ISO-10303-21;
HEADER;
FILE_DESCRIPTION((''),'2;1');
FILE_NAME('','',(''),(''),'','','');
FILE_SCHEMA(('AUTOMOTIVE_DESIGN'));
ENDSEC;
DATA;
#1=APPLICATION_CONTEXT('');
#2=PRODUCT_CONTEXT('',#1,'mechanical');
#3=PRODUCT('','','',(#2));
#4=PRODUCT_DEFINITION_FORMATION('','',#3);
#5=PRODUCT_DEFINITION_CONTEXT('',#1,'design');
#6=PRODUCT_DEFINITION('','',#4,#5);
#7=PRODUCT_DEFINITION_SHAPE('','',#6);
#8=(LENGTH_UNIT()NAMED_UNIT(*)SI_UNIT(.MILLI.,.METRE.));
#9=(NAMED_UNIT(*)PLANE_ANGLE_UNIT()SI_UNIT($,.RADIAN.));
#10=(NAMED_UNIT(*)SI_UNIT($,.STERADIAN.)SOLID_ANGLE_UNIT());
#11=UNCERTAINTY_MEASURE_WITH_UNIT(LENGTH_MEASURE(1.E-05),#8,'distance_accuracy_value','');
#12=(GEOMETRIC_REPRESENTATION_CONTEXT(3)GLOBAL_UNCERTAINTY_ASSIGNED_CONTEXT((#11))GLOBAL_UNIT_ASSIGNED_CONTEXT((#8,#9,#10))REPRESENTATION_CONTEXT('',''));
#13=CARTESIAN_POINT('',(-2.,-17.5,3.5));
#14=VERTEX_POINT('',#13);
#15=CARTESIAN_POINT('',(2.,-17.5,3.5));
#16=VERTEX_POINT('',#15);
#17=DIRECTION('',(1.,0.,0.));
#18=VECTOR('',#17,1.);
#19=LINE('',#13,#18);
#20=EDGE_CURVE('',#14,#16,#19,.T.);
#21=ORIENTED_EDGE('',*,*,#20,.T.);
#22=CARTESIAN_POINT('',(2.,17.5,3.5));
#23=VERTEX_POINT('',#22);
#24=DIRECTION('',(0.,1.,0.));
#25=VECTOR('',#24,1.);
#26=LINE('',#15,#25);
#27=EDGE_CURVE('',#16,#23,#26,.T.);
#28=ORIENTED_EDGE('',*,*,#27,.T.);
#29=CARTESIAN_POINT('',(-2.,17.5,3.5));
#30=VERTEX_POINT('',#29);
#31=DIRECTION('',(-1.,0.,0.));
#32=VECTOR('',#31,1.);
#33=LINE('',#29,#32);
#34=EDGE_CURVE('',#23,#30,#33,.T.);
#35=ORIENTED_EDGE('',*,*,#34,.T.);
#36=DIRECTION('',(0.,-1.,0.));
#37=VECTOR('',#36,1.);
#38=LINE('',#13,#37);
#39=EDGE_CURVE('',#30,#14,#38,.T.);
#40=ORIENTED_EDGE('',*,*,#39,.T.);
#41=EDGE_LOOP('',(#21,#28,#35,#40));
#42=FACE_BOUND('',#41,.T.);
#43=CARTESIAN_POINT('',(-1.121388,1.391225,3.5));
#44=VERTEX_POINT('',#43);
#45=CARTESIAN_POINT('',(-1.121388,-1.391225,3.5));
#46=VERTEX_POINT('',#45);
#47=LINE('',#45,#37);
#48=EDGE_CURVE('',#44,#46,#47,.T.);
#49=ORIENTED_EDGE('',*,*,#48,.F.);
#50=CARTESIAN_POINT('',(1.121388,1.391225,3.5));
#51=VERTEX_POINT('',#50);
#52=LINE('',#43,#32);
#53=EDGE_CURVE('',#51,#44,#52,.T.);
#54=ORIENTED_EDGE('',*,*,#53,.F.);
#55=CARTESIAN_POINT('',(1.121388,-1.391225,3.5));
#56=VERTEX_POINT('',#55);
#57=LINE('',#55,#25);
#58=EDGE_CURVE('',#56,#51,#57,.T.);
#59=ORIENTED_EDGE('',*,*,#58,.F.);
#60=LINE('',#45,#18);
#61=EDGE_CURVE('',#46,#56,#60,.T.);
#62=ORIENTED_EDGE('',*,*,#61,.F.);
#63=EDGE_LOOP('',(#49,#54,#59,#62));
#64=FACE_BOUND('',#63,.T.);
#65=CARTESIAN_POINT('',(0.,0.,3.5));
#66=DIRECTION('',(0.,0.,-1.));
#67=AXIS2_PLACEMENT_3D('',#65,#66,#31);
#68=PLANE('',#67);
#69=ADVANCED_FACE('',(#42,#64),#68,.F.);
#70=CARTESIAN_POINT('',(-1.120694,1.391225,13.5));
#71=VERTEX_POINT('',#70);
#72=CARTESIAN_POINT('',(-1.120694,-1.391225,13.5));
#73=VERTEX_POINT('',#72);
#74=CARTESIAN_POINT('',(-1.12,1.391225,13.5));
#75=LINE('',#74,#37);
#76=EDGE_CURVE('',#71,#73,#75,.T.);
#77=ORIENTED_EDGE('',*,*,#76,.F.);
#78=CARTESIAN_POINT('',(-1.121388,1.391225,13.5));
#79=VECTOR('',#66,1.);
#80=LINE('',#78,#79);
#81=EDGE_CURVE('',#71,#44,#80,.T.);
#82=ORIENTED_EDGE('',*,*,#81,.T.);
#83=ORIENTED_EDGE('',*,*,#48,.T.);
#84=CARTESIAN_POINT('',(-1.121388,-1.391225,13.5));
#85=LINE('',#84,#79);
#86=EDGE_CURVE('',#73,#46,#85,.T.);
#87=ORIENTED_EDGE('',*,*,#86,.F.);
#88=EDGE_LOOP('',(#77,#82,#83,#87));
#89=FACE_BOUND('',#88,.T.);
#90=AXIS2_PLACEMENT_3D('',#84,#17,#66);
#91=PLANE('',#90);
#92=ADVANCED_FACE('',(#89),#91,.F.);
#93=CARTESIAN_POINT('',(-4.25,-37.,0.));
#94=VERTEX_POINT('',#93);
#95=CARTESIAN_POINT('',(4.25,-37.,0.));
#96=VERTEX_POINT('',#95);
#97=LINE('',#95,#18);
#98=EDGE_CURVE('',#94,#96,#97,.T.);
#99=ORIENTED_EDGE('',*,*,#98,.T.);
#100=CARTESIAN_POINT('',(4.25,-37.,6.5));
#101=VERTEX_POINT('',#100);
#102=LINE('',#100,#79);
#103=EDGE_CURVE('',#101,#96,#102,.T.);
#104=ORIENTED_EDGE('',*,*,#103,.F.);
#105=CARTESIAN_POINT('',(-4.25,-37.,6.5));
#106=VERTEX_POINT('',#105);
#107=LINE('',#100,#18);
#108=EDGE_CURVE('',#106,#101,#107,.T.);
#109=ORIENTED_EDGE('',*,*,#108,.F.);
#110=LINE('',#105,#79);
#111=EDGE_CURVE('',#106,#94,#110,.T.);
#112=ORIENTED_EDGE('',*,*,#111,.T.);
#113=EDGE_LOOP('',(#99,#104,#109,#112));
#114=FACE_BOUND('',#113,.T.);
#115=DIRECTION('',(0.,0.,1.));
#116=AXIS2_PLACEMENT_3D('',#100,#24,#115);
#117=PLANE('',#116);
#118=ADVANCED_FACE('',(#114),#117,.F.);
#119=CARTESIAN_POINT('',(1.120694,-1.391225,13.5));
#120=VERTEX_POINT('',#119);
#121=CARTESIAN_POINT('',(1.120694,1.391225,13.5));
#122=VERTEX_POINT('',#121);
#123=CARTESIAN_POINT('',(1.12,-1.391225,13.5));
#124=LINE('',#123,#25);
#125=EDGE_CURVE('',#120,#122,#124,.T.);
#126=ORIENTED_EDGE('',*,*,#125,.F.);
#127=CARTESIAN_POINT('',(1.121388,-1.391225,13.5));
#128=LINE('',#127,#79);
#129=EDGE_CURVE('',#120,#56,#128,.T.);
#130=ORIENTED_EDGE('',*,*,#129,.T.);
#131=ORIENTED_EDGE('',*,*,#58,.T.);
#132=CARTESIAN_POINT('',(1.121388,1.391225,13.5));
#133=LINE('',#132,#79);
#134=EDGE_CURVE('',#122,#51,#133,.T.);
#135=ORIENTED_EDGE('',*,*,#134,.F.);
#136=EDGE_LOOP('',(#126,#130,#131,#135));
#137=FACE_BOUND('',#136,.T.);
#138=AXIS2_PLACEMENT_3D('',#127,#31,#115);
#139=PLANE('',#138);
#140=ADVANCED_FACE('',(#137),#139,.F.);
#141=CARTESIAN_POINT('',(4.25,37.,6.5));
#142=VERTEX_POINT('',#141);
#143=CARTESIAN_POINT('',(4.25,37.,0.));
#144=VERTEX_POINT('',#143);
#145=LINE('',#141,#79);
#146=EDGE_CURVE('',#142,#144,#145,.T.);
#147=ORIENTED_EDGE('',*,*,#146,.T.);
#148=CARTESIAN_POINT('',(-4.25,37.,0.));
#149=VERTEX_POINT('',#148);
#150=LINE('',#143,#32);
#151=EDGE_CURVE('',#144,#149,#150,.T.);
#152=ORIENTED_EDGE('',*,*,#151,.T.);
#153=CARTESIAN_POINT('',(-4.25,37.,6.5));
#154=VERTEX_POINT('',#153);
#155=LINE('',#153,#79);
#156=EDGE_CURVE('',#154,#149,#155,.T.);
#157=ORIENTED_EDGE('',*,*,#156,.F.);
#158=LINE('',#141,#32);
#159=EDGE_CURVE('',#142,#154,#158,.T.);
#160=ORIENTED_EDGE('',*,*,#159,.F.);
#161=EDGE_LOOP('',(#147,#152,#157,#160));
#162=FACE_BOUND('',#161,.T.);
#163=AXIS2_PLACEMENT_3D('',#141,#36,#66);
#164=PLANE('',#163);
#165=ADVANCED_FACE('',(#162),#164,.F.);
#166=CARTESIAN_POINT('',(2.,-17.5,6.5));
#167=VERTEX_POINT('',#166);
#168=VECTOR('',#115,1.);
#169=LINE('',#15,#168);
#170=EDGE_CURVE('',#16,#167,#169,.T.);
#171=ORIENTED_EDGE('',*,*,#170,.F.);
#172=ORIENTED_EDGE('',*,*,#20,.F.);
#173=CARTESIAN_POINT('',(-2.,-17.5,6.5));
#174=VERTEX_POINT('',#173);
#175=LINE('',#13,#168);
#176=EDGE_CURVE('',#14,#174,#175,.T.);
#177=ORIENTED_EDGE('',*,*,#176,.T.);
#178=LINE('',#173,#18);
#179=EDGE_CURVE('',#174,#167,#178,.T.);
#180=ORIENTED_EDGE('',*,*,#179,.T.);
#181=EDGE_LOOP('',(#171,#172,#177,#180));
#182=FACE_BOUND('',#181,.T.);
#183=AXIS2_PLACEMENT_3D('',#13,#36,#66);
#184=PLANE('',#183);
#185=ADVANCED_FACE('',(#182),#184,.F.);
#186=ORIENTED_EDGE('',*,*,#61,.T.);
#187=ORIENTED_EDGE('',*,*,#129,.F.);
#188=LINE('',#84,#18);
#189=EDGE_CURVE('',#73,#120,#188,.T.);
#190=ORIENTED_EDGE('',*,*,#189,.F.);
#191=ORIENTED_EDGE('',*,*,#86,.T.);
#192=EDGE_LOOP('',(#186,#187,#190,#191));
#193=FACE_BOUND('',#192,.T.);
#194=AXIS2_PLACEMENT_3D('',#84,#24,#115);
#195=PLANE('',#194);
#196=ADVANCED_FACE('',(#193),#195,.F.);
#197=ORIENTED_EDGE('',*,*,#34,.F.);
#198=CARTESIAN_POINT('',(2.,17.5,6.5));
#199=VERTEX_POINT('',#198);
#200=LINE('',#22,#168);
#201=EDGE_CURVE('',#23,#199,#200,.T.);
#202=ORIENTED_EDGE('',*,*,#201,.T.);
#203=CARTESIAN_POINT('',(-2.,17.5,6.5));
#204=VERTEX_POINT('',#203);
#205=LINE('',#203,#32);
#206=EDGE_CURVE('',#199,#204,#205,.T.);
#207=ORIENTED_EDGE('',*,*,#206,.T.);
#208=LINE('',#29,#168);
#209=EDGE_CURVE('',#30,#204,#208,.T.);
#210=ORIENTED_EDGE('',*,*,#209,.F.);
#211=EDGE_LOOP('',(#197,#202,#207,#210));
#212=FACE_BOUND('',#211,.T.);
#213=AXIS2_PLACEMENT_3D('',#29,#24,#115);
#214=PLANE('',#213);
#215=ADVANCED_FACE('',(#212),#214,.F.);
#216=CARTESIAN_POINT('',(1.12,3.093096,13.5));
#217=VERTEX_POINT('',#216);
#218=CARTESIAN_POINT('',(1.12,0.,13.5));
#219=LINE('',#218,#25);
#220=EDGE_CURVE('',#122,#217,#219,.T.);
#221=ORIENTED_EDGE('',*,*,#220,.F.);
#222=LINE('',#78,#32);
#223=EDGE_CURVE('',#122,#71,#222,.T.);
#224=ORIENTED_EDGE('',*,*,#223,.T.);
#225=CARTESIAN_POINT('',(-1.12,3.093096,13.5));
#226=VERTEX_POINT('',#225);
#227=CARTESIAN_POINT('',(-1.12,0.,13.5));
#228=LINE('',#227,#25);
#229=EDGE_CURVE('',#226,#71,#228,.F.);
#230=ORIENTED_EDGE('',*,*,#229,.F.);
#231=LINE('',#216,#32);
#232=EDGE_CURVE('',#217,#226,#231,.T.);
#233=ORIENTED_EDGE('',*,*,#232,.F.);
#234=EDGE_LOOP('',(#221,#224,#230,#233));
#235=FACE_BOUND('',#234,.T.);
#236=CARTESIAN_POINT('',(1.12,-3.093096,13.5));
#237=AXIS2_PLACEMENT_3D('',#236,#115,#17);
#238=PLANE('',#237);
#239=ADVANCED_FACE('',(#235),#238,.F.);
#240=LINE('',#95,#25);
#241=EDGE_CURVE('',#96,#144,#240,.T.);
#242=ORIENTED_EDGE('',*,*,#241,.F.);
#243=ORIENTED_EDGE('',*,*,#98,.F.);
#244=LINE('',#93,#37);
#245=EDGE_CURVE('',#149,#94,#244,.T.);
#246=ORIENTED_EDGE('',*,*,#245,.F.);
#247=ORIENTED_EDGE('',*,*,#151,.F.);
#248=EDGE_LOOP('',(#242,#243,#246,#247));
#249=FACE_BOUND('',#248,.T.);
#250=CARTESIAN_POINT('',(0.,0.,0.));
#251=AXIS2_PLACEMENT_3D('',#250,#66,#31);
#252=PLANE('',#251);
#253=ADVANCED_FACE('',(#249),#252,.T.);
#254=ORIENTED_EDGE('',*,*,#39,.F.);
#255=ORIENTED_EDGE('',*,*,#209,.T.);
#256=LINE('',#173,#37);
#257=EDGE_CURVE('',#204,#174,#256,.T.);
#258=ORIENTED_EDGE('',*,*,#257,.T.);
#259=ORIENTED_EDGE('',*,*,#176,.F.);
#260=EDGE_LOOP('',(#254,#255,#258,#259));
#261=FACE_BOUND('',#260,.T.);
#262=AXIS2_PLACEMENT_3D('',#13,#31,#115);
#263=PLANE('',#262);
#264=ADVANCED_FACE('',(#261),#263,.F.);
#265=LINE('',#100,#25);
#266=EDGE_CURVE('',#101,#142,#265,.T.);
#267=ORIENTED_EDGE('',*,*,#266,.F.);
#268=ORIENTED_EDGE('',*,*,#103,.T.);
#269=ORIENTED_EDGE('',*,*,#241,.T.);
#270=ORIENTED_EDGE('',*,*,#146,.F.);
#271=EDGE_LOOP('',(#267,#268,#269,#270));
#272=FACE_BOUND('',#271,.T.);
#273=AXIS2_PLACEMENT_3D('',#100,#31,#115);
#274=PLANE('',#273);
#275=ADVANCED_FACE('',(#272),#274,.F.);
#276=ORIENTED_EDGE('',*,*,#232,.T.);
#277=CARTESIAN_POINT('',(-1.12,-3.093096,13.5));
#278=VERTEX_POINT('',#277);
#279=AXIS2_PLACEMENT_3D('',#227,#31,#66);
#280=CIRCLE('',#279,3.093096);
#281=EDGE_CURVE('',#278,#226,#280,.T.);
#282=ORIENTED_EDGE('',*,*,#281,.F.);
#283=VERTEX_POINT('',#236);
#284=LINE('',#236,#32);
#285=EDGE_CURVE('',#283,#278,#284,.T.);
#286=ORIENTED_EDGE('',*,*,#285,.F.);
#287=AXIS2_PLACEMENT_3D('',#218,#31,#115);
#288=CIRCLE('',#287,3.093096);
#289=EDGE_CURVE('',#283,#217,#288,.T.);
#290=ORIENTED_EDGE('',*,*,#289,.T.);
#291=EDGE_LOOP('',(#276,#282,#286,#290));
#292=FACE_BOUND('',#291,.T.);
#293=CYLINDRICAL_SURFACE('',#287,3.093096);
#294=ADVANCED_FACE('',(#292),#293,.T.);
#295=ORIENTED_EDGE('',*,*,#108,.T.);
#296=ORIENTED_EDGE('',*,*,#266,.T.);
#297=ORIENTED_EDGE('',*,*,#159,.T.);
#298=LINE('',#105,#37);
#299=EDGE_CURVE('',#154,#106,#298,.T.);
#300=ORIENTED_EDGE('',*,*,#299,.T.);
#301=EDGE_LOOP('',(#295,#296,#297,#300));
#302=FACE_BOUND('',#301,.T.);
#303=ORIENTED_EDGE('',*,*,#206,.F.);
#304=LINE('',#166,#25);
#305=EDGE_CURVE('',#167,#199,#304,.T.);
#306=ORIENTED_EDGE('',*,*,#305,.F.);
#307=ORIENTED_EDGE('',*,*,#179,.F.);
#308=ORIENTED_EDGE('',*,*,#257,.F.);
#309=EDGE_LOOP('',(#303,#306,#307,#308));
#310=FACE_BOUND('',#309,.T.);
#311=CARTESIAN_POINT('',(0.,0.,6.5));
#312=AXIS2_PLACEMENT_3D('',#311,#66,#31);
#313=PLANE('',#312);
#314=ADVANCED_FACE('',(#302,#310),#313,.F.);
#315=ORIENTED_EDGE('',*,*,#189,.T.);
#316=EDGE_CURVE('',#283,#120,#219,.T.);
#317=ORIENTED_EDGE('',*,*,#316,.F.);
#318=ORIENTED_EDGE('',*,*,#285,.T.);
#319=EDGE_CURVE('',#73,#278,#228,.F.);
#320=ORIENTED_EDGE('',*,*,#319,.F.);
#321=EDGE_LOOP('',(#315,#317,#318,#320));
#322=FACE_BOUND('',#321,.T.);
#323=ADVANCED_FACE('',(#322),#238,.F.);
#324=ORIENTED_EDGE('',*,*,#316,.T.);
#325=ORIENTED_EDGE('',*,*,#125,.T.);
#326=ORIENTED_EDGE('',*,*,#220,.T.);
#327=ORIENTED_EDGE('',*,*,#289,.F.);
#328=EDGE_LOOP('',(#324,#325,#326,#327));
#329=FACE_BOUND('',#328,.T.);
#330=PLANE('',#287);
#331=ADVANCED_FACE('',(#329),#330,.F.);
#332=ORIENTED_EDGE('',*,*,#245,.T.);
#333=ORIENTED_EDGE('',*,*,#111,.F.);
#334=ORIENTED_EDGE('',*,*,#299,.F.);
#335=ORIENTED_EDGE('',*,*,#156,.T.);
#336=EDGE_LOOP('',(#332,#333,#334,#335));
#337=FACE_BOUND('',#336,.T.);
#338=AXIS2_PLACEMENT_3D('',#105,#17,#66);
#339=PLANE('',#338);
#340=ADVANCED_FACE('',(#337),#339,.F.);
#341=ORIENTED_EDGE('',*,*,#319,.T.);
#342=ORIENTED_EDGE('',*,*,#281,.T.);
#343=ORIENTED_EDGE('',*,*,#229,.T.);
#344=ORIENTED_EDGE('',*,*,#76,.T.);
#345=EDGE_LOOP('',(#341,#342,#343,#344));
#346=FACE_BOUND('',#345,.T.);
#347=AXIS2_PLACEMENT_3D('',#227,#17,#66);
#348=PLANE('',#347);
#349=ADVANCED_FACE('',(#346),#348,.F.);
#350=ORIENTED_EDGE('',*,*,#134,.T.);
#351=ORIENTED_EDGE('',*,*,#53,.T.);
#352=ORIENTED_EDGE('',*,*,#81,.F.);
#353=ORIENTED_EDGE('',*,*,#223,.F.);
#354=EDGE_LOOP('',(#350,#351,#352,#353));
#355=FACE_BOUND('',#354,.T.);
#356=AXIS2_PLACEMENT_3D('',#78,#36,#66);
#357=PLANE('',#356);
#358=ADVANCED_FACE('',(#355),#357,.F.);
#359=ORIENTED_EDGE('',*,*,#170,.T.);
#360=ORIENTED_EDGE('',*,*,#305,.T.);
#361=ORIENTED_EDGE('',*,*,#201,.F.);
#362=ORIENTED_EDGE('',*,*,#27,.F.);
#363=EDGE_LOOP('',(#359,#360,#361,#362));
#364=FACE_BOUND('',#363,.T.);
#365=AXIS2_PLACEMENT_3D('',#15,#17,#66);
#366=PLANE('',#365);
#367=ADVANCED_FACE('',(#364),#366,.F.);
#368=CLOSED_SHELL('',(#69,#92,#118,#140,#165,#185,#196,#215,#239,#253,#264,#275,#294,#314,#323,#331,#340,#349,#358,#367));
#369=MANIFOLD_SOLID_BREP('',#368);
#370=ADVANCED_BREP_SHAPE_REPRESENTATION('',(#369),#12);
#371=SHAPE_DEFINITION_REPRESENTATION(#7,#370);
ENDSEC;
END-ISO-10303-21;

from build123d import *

# Parameters (mm, degrees)
SKETCH1_W           = 74
SKETCH1_H           = 8.5
BOSS_EXTRUDE1_DEPTH = 6.5
SKETCH2_W           = 4
SKETCH2_H           = 35
CUT_EXTRUDE1_DEPTH  = 3
SKETCH3_W           = 2.242776622
SKETCH3_H           = 2.782449956
BOSS_EXTRUDE2_DEPTH = 10
BOSS_EXTRUDE3_DEPTH = 1.12
BOSS_EXTRUDE5_START = 1.12
BOSS_EXTRUDE5_DEPTH = 1.12


with BuildPart() as part:
    # Sketch1 → Boss-Extrude1 (new body)
    with BuildSketch(Plane(origin=(0, 0, 0), x_dir=(0, 1, 0), z_dir=(0, 0, 1))):
        Rectangle(SKETCH1_W, SKETCH1_H)
    extrude(amount=BOSS_EXTRUDE1_DEPTH)

    # Sketch2 → Cut-Extrude1 (cut)
    with BuildSketch(Plane.XY.offset(6.5)):
        Rectangle(SKETCH2_W, SKETCH2_H)
    extrude(amount=-CUT_EXTRUDE1_DEPTH, mode=Mode.SUBTRACT)

    # Sketch3 → Boss-Extrude2 (add)
    with BuildSketch(Plane.XY.offset(3.5)):
        Rectangle(SKETCH3_W, SKETCH3_H)
    extrude(amount=BOSS_EXTRUDE2_DEPTH)

    # Sketch4 → Boss-Extrude3 (add)
    with BuildSketch(Plane.YZ):
        with BuildLine():
            Line((-3.093095713, 13.5), (3.093095713, 13.5))
            ThreePointArc((3.093095713, 13.5), (0, 16.593095713), (-3.093095713, 13.5))
        make_face()
    extrude(amount=BOSS_EXTRUDE3_DEPTH)

    # Sketch10 → Boss-Extrude5 (add)
    with BuildSketch(Plane(origin=(0, 0, 0), x_dir=(0, -1, 0), z_dir=(-1, 0, 0)).offset(BOSS_EXTRUDE5_START)):
        with BuildLine():
            Line((3.093095713, 13.5), (-3.093095713, 13.5))
            ThreePointArc((-3.093095713, 13.5), (0, 16.593095713), (3.093095713, 13.5))
        make_face()
    extrude(amount=-BOSS_EXTRUDE5_DEPTH)


solid = part.part
